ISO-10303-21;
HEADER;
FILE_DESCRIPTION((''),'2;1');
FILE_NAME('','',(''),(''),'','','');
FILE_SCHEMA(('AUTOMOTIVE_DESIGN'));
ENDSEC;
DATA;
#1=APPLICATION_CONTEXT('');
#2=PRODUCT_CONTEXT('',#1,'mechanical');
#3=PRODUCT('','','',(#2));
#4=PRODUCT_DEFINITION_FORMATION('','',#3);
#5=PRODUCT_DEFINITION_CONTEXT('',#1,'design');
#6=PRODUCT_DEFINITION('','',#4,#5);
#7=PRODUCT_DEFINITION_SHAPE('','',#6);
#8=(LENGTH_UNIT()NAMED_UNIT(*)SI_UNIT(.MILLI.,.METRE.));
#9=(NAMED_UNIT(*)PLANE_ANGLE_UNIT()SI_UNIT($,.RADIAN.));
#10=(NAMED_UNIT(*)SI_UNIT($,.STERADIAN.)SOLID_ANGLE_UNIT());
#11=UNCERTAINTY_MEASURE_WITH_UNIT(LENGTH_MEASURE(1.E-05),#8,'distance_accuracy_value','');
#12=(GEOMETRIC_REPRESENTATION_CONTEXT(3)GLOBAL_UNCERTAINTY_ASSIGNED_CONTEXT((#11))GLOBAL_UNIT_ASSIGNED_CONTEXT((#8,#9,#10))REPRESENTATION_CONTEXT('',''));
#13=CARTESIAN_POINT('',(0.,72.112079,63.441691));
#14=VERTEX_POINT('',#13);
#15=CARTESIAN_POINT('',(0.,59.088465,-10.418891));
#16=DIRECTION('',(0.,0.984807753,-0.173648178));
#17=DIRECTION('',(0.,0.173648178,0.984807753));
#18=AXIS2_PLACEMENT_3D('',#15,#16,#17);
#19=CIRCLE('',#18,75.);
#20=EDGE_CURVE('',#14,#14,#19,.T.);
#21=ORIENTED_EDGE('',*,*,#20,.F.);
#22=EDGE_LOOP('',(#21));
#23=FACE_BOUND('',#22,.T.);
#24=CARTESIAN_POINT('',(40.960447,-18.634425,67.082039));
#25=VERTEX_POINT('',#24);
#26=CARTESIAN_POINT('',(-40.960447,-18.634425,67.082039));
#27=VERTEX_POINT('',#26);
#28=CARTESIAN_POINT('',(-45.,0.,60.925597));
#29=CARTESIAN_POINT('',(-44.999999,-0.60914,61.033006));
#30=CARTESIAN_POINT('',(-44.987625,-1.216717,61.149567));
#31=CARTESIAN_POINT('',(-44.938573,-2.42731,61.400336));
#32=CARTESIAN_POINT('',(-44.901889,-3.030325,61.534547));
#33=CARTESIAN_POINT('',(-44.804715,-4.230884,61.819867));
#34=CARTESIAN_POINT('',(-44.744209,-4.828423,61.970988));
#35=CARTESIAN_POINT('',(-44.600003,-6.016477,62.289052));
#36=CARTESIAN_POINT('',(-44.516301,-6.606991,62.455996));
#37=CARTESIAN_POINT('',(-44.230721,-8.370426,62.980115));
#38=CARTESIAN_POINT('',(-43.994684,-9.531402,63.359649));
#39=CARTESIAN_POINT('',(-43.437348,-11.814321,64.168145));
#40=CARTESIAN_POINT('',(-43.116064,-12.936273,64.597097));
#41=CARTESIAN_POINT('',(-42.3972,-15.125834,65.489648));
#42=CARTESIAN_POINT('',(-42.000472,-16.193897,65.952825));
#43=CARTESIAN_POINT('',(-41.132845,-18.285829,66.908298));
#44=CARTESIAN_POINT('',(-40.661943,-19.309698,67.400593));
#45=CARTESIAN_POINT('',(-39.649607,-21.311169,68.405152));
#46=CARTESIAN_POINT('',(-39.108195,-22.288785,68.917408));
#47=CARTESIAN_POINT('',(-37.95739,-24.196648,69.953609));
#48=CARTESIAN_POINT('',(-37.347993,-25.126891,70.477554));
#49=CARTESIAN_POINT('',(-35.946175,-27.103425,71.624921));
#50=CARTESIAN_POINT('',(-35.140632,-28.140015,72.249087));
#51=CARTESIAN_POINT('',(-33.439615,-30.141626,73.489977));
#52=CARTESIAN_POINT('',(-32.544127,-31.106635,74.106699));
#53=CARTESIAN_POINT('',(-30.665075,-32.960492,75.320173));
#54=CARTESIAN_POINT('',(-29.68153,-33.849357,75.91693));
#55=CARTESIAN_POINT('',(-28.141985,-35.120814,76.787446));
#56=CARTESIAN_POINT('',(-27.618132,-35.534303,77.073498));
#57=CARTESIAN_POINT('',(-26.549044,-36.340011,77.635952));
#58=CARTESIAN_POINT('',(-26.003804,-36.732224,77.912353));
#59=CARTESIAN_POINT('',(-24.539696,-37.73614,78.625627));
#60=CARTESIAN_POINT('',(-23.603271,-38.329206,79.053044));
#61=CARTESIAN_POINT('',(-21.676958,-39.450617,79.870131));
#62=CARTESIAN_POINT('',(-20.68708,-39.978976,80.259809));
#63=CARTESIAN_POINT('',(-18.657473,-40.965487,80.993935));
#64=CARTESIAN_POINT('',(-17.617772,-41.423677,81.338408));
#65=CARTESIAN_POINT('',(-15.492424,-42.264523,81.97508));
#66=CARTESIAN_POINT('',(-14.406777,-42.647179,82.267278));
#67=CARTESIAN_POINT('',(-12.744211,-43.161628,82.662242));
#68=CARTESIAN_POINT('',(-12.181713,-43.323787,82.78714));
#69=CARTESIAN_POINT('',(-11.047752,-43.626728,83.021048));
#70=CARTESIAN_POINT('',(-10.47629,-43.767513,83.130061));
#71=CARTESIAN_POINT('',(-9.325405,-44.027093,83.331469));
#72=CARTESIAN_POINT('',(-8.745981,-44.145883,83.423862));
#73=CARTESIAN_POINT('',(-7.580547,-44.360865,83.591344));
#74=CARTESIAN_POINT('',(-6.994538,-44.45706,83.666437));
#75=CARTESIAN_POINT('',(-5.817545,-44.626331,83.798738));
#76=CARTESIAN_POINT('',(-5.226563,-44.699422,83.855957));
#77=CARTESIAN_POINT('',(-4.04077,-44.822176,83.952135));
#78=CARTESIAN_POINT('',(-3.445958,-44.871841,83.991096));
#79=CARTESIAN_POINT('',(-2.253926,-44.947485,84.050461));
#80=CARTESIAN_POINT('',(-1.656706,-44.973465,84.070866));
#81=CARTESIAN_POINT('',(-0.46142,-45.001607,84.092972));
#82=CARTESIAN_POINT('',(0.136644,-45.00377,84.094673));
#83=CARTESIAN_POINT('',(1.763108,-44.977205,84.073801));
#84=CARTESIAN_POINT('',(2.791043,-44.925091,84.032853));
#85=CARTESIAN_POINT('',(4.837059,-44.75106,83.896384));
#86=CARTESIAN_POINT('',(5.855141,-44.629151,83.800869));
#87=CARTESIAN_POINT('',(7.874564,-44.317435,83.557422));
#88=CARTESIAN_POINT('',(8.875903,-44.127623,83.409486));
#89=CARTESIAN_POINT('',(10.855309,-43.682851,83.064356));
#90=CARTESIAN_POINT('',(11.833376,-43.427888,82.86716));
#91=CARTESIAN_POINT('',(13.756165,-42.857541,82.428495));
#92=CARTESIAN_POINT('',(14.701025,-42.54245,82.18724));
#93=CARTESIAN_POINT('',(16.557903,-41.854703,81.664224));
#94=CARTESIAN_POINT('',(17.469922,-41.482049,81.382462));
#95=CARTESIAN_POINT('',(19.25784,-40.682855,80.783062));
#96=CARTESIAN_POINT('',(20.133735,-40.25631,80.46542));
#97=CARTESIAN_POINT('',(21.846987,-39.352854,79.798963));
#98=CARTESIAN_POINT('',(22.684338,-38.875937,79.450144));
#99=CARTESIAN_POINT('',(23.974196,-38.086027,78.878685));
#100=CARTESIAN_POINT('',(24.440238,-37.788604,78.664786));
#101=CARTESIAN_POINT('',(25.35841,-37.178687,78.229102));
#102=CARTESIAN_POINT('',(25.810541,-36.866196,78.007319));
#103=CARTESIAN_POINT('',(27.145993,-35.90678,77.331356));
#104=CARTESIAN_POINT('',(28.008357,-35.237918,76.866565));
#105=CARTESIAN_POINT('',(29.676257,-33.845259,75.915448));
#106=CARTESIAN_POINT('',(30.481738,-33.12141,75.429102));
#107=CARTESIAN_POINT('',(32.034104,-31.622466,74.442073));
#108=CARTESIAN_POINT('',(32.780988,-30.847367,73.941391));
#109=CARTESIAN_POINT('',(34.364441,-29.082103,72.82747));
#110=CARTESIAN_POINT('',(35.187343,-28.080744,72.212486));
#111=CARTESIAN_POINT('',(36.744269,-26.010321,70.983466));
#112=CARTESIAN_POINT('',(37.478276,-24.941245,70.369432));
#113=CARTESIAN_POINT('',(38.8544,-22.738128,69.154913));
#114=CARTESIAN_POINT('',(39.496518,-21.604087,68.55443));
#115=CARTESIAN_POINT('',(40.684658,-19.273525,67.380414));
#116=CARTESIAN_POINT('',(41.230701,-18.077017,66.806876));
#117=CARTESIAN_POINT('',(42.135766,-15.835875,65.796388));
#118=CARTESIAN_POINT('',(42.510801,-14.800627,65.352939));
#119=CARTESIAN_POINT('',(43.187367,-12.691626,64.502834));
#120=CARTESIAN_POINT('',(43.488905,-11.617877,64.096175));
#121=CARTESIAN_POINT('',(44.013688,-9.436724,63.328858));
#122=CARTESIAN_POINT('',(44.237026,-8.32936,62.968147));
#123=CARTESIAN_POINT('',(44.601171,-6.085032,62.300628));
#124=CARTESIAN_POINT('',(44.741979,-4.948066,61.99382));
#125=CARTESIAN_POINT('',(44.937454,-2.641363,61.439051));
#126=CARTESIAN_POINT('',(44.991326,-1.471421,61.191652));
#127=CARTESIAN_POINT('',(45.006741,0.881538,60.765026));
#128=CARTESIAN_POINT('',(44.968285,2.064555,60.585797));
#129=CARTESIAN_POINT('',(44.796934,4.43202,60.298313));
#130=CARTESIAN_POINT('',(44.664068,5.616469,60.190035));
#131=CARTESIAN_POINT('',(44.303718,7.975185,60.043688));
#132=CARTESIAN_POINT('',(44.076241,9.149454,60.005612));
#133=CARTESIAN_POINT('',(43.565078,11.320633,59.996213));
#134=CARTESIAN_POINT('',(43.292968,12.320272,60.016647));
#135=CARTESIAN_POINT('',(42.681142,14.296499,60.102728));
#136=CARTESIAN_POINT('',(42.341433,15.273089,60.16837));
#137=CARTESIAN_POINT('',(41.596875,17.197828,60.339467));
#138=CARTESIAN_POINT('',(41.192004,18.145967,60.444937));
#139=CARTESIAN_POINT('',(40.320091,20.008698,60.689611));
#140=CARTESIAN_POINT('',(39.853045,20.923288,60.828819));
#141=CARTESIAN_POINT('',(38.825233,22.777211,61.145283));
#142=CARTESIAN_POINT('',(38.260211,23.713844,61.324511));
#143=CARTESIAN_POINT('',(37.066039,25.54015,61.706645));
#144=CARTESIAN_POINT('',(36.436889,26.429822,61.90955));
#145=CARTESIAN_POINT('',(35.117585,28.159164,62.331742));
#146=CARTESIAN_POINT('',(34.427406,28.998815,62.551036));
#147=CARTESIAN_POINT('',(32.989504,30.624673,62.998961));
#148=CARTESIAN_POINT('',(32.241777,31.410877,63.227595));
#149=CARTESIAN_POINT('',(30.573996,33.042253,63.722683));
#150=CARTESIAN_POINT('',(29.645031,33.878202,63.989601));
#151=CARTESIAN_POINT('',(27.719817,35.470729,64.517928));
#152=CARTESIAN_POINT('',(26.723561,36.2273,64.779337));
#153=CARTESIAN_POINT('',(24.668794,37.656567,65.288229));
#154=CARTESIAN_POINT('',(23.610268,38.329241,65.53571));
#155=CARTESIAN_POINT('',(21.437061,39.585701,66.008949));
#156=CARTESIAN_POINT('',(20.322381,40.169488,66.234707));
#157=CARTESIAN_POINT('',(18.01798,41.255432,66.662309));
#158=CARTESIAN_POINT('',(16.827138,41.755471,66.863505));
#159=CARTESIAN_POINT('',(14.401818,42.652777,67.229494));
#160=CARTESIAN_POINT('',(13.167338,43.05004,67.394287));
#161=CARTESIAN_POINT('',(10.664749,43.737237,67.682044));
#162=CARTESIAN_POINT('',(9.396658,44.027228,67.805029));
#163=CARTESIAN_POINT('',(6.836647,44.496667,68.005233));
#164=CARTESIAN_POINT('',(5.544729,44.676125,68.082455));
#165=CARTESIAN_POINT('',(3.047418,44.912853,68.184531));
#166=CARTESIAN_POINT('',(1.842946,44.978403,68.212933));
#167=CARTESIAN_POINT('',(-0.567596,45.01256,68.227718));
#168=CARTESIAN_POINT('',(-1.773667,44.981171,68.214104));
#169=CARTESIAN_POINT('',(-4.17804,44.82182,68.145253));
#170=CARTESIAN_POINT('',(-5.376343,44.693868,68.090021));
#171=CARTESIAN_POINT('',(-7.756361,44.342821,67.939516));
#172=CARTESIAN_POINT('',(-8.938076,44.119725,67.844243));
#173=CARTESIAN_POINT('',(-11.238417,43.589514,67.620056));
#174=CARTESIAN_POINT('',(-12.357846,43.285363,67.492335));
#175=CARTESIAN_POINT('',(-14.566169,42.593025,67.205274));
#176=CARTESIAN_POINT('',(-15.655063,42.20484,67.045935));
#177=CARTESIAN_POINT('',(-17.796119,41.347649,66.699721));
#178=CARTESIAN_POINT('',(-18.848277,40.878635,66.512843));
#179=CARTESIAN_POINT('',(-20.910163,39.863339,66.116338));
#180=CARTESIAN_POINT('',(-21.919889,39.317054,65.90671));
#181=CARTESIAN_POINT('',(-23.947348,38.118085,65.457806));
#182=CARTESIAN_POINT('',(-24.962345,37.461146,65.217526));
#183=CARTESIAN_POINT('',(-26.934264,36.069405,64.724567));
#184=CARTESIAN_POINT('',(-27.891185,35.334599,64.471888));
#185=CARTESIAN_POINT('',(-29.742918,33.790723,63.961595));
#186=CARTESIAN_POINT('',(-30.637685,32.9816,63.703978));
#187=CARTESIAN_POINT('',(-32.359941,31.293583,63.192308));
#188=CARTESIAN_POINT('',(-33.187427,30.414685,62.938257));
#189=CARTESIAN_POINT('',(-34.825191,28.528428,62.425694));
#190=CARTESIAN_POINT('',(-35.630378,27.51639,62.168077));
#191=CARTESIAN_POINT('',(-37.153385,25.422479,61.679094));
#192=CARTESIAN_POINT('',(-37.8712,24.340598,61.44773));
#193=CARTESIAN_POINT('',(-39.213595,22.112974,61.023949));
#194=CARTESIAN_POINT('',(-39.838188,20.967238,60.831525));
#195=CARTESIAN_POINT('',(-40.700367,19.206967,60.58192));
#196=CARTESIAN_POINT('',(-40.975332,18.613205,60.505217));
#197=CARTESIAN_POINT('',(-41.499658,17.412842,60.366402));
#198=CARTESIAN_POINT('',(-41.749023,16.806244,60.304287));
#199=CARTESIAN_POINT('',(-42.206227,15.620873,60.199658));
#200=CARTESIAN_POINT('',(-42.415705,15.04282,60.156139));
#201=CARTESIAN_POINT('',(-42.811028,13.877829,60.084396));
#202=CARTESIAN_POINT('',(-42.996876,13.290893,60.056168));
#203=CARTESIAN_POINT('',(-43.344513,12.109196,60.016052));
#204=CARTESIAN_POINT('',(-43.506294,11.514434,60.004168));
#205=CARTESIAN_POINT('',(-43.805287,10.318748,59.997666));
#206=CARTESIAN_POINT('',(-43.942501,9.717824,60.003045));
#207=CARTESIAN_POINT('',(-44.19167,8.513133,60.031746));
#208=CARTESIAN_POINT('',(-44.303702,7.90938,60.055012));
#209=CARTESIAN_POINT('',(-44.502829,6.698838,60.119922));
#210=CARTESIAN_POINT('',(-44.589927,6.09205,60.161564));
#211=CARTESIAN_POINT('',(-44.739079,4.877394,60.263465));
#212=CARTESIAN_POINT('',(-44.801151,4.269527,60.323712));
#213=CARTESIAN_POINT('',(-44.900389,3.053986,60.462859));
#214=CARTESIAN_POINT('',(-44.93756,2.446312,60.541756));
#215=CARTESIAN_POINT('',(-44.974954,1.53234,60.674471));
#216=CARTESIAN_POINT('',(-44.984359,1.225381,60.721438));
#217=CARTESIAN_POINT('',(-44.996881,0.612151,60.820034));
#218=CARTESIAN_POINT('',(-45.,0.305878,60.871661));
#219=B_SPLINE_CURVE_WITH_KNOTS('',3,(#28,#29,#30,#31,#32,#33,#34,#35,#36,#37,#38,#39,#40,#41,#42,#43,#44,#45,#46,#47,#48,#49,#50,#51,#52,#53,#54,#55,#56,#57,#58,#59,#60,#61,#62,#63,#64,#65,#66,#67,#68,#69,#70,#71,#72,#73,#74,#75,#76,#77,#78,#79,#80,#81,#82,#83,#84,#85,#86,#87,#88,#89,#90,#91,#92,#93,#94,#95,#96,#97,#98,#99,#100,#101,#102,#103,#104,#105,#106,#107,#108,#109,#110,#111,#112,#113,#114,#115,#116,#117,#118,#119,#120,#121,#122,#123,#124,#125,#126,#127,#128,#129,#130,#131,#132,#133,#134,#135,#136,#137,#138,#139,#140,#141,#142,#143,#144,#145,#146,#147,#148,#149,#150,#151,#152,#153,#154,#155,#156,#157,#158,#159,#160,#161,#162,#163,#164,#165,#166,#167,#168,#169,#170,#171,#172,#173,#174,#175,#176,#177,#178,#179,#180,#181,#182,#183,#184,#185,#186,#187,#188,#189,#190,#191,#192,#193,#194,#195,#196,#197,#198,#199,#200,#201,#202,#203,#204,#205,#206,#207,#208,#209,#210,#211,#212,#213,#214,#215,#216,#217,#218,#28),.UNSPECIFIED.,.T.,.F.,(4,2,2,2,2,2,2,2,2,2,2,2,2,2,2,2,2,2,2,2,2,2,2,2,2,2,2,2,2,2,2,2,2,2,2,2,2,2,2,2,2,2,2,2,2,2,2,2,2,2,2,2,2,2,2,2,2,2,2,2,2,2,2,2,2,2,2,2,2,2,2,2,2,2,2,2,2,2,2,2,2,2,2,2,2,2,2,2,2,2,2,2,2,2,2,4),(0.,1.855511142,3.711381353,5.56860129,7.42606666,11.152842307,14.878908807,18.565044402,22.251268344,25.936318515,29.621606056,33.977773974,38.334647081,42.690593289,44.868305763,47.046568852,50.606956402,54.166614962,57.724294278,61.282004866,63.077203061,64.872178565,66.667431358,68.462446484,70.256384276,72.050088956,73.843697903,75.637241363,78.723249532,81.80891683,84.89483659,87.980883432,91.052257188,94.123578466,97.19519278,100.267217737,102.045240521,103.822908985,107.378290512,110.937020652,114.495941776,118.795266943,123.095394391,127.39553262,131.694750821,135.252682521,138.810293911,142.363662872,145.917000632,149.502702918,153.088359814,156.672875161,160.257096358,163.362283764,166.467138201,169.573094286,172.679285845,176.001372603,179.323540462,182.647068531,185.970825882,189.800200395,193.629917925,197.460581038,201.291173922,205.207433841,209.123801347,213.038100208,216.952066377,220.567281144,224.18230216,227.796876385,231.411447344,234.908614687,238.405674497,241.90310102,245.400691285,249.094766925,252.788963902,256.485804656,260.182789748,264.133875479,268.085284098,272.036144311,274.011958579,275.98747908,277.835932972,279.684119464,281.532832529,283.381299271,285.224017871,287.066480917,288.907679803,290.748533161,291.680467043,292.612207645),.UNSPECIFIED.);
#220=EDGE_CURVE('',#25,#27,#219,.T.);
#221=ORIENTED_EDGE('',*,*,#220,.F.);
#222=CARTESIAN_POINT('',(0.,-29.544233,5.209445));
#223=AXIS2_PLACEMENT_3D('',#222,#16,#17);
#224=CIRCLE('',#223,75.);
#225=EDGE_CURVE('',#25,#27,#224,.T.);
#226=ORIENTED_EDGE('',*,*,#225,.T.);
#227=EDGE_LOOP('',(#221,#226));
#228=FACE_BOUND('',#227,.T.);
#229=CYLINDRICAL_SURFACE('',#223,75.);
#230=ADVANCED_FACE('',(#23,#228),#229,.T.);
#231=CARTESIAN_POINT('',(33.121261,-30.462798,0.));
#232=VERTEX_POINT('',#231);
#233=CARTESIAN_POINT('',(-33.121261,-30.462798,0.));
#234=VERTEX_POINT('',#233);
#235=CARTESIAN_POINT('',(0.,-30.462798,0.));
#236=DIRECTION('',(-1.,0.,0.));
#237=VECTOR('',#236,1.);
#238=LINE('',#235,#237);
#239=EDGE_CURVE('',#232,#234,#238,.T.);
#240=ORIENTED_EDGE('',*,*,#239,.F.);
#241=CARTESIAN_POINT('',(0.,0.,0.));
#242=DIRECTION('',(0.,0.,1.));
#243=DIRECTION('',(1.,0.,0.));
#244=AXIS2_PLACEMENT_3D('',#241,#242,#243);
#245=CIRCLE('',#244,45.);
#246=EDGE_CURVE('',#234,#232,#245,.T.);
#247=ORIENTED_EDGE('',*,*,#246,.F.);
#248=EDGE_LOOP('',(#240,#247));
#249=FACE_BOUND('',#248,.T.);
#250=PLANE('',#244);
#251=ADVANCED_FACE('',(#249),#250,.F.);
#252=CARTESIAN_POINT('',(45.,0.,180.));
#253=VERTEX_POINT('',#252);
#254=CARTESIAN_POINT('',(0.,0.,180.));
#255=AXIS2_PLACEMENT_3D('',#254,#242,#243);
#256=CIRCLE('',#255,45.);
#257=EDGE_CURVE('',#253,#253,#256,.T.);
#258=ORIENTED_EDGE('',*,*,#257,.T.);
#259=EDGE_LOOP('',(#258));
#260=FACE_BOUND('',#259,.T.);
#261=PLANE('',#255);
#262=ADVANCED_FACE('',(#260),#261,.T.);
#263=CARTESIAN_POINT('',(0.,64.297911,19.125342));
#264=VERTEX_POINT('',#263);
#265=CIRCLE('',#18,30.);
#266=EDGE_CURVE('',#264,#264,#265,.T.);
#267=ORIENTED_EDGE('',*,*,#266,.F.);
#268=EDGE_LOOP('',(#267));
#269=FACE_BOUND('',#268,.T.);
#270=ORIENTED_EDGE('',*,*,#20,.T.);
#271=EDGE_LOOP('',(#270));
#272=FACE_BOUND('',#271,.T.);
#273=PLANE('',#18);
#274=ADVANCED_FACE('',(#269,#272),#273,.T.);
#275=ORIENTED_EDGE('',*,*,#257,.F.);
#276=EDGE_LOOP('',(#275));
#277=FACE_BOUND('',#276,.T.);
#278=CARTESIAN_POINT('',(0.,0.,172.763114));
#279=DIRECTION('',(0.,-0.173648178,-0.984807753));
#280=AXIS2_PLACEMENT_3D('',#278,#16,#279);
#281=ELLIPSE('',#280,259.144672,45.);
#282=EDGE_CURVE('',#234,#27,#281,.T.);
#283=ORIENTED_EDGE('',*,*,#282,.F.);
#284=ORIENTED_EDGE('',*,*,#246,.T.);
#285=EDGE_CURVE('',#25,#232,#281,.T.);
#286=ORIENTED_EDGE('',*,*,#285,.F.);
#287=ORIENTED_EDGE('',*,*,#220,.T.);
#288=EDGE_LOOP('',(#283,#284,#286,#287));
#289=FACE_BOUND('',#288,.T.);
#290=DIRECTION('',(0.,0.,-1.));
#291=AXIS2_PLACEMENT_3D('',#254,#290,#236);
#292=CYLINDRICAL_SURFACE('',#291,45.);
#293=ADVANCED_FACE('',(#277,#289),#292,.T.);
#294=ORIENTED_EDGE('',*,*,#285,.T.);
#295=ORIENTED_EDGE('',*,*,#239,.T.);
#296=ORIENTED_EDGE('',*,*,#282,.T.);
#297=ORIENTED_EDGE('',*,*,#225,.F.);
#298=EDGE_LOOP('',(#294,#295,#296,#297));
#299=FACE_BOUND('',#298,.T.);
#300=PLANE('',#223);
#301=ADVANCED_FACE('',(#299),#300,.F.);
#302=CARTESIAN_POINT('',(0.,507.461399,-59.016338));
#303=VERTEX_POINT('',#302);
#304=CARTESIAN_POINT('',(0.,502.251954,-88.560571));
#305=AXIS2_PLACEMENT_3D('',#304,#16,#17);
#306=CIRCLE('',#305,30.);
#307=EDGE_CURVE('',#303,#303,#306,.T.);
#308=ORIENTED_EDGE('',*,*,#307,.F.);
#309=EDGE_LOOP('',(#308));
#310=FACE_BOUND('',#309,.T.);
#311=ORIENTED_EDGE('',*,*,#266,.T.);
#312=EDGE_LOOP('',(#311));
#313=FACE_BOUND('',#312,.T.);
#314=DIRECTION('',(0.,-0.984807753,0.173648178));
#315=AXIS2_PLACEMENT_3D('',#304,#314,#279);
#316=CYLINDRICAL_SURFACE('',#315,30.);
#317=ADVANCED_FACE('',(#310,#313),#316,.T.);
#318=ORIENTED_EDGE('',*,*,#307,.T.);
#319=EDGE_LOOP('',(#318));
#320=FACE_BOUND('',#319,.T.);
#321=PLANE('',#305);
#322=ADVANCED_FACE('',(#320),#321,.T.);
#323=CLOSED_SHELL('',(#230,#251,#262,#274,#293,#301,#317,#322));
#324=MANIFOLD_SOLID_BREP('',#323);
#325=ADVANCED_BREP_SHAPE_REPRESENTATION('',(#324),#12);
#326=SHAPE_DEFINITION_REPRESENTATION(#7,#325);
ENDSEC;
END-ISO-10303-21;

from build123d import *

# Parameters (mm, degrees)
SKETCH1_R                = 45
BOSS_EXTRUDE1_DEPTH      = 180
BOSS_EXTRUDE2_DEPTH      = 60
BOSS_EXTRUDE2_DEPTH_BACK = 30
SKETCH2_R                = 75
SKETCH3_R                = 30
BOSS_EXTRUDE3_DEPTH      = 450


with BuildPart() as part:
    # Sketch1 → Boss-Extrude1 (new body)
    with BuildSketch(Plane.XY):
        Circle(SKETCH1_R)
    extrude(amount=BOSS_EXTRUDE1_DEPTH)

    # Sketch2 → Boss-Extrude2 (add, two sides: drawn at the far end of the back side and taken through both)
    with BuildSketch(Plane(origin=(0, 0, 0), x_dir=(-1, 0, 0), z_dir=(0, 0.9848077530122081, -0.17364817766693041)).offset(-BOSS_EXTRUDE2_DEPTH_BACK)):
        Circle(SKETCH2_R)
    extrude(amount=BOSS_EXTRUDE2_DEPTH + BOSS_EXTRUDE2_DEPTH_BACK)

    # Sketch3 → Boss-Extrude3 (add)
    with BuildSketch(Plane(origin=(0, 59.088465181, -10.41889066), x_dir=(1, 0, 0), z_dir=(0, 0.9848077530122081, -0.1736481776669304))):
        Circle(SKETCH3_R)
    extrude(amount=BOSS_EXTRUDE3_DEPTH)


solid = part.part
